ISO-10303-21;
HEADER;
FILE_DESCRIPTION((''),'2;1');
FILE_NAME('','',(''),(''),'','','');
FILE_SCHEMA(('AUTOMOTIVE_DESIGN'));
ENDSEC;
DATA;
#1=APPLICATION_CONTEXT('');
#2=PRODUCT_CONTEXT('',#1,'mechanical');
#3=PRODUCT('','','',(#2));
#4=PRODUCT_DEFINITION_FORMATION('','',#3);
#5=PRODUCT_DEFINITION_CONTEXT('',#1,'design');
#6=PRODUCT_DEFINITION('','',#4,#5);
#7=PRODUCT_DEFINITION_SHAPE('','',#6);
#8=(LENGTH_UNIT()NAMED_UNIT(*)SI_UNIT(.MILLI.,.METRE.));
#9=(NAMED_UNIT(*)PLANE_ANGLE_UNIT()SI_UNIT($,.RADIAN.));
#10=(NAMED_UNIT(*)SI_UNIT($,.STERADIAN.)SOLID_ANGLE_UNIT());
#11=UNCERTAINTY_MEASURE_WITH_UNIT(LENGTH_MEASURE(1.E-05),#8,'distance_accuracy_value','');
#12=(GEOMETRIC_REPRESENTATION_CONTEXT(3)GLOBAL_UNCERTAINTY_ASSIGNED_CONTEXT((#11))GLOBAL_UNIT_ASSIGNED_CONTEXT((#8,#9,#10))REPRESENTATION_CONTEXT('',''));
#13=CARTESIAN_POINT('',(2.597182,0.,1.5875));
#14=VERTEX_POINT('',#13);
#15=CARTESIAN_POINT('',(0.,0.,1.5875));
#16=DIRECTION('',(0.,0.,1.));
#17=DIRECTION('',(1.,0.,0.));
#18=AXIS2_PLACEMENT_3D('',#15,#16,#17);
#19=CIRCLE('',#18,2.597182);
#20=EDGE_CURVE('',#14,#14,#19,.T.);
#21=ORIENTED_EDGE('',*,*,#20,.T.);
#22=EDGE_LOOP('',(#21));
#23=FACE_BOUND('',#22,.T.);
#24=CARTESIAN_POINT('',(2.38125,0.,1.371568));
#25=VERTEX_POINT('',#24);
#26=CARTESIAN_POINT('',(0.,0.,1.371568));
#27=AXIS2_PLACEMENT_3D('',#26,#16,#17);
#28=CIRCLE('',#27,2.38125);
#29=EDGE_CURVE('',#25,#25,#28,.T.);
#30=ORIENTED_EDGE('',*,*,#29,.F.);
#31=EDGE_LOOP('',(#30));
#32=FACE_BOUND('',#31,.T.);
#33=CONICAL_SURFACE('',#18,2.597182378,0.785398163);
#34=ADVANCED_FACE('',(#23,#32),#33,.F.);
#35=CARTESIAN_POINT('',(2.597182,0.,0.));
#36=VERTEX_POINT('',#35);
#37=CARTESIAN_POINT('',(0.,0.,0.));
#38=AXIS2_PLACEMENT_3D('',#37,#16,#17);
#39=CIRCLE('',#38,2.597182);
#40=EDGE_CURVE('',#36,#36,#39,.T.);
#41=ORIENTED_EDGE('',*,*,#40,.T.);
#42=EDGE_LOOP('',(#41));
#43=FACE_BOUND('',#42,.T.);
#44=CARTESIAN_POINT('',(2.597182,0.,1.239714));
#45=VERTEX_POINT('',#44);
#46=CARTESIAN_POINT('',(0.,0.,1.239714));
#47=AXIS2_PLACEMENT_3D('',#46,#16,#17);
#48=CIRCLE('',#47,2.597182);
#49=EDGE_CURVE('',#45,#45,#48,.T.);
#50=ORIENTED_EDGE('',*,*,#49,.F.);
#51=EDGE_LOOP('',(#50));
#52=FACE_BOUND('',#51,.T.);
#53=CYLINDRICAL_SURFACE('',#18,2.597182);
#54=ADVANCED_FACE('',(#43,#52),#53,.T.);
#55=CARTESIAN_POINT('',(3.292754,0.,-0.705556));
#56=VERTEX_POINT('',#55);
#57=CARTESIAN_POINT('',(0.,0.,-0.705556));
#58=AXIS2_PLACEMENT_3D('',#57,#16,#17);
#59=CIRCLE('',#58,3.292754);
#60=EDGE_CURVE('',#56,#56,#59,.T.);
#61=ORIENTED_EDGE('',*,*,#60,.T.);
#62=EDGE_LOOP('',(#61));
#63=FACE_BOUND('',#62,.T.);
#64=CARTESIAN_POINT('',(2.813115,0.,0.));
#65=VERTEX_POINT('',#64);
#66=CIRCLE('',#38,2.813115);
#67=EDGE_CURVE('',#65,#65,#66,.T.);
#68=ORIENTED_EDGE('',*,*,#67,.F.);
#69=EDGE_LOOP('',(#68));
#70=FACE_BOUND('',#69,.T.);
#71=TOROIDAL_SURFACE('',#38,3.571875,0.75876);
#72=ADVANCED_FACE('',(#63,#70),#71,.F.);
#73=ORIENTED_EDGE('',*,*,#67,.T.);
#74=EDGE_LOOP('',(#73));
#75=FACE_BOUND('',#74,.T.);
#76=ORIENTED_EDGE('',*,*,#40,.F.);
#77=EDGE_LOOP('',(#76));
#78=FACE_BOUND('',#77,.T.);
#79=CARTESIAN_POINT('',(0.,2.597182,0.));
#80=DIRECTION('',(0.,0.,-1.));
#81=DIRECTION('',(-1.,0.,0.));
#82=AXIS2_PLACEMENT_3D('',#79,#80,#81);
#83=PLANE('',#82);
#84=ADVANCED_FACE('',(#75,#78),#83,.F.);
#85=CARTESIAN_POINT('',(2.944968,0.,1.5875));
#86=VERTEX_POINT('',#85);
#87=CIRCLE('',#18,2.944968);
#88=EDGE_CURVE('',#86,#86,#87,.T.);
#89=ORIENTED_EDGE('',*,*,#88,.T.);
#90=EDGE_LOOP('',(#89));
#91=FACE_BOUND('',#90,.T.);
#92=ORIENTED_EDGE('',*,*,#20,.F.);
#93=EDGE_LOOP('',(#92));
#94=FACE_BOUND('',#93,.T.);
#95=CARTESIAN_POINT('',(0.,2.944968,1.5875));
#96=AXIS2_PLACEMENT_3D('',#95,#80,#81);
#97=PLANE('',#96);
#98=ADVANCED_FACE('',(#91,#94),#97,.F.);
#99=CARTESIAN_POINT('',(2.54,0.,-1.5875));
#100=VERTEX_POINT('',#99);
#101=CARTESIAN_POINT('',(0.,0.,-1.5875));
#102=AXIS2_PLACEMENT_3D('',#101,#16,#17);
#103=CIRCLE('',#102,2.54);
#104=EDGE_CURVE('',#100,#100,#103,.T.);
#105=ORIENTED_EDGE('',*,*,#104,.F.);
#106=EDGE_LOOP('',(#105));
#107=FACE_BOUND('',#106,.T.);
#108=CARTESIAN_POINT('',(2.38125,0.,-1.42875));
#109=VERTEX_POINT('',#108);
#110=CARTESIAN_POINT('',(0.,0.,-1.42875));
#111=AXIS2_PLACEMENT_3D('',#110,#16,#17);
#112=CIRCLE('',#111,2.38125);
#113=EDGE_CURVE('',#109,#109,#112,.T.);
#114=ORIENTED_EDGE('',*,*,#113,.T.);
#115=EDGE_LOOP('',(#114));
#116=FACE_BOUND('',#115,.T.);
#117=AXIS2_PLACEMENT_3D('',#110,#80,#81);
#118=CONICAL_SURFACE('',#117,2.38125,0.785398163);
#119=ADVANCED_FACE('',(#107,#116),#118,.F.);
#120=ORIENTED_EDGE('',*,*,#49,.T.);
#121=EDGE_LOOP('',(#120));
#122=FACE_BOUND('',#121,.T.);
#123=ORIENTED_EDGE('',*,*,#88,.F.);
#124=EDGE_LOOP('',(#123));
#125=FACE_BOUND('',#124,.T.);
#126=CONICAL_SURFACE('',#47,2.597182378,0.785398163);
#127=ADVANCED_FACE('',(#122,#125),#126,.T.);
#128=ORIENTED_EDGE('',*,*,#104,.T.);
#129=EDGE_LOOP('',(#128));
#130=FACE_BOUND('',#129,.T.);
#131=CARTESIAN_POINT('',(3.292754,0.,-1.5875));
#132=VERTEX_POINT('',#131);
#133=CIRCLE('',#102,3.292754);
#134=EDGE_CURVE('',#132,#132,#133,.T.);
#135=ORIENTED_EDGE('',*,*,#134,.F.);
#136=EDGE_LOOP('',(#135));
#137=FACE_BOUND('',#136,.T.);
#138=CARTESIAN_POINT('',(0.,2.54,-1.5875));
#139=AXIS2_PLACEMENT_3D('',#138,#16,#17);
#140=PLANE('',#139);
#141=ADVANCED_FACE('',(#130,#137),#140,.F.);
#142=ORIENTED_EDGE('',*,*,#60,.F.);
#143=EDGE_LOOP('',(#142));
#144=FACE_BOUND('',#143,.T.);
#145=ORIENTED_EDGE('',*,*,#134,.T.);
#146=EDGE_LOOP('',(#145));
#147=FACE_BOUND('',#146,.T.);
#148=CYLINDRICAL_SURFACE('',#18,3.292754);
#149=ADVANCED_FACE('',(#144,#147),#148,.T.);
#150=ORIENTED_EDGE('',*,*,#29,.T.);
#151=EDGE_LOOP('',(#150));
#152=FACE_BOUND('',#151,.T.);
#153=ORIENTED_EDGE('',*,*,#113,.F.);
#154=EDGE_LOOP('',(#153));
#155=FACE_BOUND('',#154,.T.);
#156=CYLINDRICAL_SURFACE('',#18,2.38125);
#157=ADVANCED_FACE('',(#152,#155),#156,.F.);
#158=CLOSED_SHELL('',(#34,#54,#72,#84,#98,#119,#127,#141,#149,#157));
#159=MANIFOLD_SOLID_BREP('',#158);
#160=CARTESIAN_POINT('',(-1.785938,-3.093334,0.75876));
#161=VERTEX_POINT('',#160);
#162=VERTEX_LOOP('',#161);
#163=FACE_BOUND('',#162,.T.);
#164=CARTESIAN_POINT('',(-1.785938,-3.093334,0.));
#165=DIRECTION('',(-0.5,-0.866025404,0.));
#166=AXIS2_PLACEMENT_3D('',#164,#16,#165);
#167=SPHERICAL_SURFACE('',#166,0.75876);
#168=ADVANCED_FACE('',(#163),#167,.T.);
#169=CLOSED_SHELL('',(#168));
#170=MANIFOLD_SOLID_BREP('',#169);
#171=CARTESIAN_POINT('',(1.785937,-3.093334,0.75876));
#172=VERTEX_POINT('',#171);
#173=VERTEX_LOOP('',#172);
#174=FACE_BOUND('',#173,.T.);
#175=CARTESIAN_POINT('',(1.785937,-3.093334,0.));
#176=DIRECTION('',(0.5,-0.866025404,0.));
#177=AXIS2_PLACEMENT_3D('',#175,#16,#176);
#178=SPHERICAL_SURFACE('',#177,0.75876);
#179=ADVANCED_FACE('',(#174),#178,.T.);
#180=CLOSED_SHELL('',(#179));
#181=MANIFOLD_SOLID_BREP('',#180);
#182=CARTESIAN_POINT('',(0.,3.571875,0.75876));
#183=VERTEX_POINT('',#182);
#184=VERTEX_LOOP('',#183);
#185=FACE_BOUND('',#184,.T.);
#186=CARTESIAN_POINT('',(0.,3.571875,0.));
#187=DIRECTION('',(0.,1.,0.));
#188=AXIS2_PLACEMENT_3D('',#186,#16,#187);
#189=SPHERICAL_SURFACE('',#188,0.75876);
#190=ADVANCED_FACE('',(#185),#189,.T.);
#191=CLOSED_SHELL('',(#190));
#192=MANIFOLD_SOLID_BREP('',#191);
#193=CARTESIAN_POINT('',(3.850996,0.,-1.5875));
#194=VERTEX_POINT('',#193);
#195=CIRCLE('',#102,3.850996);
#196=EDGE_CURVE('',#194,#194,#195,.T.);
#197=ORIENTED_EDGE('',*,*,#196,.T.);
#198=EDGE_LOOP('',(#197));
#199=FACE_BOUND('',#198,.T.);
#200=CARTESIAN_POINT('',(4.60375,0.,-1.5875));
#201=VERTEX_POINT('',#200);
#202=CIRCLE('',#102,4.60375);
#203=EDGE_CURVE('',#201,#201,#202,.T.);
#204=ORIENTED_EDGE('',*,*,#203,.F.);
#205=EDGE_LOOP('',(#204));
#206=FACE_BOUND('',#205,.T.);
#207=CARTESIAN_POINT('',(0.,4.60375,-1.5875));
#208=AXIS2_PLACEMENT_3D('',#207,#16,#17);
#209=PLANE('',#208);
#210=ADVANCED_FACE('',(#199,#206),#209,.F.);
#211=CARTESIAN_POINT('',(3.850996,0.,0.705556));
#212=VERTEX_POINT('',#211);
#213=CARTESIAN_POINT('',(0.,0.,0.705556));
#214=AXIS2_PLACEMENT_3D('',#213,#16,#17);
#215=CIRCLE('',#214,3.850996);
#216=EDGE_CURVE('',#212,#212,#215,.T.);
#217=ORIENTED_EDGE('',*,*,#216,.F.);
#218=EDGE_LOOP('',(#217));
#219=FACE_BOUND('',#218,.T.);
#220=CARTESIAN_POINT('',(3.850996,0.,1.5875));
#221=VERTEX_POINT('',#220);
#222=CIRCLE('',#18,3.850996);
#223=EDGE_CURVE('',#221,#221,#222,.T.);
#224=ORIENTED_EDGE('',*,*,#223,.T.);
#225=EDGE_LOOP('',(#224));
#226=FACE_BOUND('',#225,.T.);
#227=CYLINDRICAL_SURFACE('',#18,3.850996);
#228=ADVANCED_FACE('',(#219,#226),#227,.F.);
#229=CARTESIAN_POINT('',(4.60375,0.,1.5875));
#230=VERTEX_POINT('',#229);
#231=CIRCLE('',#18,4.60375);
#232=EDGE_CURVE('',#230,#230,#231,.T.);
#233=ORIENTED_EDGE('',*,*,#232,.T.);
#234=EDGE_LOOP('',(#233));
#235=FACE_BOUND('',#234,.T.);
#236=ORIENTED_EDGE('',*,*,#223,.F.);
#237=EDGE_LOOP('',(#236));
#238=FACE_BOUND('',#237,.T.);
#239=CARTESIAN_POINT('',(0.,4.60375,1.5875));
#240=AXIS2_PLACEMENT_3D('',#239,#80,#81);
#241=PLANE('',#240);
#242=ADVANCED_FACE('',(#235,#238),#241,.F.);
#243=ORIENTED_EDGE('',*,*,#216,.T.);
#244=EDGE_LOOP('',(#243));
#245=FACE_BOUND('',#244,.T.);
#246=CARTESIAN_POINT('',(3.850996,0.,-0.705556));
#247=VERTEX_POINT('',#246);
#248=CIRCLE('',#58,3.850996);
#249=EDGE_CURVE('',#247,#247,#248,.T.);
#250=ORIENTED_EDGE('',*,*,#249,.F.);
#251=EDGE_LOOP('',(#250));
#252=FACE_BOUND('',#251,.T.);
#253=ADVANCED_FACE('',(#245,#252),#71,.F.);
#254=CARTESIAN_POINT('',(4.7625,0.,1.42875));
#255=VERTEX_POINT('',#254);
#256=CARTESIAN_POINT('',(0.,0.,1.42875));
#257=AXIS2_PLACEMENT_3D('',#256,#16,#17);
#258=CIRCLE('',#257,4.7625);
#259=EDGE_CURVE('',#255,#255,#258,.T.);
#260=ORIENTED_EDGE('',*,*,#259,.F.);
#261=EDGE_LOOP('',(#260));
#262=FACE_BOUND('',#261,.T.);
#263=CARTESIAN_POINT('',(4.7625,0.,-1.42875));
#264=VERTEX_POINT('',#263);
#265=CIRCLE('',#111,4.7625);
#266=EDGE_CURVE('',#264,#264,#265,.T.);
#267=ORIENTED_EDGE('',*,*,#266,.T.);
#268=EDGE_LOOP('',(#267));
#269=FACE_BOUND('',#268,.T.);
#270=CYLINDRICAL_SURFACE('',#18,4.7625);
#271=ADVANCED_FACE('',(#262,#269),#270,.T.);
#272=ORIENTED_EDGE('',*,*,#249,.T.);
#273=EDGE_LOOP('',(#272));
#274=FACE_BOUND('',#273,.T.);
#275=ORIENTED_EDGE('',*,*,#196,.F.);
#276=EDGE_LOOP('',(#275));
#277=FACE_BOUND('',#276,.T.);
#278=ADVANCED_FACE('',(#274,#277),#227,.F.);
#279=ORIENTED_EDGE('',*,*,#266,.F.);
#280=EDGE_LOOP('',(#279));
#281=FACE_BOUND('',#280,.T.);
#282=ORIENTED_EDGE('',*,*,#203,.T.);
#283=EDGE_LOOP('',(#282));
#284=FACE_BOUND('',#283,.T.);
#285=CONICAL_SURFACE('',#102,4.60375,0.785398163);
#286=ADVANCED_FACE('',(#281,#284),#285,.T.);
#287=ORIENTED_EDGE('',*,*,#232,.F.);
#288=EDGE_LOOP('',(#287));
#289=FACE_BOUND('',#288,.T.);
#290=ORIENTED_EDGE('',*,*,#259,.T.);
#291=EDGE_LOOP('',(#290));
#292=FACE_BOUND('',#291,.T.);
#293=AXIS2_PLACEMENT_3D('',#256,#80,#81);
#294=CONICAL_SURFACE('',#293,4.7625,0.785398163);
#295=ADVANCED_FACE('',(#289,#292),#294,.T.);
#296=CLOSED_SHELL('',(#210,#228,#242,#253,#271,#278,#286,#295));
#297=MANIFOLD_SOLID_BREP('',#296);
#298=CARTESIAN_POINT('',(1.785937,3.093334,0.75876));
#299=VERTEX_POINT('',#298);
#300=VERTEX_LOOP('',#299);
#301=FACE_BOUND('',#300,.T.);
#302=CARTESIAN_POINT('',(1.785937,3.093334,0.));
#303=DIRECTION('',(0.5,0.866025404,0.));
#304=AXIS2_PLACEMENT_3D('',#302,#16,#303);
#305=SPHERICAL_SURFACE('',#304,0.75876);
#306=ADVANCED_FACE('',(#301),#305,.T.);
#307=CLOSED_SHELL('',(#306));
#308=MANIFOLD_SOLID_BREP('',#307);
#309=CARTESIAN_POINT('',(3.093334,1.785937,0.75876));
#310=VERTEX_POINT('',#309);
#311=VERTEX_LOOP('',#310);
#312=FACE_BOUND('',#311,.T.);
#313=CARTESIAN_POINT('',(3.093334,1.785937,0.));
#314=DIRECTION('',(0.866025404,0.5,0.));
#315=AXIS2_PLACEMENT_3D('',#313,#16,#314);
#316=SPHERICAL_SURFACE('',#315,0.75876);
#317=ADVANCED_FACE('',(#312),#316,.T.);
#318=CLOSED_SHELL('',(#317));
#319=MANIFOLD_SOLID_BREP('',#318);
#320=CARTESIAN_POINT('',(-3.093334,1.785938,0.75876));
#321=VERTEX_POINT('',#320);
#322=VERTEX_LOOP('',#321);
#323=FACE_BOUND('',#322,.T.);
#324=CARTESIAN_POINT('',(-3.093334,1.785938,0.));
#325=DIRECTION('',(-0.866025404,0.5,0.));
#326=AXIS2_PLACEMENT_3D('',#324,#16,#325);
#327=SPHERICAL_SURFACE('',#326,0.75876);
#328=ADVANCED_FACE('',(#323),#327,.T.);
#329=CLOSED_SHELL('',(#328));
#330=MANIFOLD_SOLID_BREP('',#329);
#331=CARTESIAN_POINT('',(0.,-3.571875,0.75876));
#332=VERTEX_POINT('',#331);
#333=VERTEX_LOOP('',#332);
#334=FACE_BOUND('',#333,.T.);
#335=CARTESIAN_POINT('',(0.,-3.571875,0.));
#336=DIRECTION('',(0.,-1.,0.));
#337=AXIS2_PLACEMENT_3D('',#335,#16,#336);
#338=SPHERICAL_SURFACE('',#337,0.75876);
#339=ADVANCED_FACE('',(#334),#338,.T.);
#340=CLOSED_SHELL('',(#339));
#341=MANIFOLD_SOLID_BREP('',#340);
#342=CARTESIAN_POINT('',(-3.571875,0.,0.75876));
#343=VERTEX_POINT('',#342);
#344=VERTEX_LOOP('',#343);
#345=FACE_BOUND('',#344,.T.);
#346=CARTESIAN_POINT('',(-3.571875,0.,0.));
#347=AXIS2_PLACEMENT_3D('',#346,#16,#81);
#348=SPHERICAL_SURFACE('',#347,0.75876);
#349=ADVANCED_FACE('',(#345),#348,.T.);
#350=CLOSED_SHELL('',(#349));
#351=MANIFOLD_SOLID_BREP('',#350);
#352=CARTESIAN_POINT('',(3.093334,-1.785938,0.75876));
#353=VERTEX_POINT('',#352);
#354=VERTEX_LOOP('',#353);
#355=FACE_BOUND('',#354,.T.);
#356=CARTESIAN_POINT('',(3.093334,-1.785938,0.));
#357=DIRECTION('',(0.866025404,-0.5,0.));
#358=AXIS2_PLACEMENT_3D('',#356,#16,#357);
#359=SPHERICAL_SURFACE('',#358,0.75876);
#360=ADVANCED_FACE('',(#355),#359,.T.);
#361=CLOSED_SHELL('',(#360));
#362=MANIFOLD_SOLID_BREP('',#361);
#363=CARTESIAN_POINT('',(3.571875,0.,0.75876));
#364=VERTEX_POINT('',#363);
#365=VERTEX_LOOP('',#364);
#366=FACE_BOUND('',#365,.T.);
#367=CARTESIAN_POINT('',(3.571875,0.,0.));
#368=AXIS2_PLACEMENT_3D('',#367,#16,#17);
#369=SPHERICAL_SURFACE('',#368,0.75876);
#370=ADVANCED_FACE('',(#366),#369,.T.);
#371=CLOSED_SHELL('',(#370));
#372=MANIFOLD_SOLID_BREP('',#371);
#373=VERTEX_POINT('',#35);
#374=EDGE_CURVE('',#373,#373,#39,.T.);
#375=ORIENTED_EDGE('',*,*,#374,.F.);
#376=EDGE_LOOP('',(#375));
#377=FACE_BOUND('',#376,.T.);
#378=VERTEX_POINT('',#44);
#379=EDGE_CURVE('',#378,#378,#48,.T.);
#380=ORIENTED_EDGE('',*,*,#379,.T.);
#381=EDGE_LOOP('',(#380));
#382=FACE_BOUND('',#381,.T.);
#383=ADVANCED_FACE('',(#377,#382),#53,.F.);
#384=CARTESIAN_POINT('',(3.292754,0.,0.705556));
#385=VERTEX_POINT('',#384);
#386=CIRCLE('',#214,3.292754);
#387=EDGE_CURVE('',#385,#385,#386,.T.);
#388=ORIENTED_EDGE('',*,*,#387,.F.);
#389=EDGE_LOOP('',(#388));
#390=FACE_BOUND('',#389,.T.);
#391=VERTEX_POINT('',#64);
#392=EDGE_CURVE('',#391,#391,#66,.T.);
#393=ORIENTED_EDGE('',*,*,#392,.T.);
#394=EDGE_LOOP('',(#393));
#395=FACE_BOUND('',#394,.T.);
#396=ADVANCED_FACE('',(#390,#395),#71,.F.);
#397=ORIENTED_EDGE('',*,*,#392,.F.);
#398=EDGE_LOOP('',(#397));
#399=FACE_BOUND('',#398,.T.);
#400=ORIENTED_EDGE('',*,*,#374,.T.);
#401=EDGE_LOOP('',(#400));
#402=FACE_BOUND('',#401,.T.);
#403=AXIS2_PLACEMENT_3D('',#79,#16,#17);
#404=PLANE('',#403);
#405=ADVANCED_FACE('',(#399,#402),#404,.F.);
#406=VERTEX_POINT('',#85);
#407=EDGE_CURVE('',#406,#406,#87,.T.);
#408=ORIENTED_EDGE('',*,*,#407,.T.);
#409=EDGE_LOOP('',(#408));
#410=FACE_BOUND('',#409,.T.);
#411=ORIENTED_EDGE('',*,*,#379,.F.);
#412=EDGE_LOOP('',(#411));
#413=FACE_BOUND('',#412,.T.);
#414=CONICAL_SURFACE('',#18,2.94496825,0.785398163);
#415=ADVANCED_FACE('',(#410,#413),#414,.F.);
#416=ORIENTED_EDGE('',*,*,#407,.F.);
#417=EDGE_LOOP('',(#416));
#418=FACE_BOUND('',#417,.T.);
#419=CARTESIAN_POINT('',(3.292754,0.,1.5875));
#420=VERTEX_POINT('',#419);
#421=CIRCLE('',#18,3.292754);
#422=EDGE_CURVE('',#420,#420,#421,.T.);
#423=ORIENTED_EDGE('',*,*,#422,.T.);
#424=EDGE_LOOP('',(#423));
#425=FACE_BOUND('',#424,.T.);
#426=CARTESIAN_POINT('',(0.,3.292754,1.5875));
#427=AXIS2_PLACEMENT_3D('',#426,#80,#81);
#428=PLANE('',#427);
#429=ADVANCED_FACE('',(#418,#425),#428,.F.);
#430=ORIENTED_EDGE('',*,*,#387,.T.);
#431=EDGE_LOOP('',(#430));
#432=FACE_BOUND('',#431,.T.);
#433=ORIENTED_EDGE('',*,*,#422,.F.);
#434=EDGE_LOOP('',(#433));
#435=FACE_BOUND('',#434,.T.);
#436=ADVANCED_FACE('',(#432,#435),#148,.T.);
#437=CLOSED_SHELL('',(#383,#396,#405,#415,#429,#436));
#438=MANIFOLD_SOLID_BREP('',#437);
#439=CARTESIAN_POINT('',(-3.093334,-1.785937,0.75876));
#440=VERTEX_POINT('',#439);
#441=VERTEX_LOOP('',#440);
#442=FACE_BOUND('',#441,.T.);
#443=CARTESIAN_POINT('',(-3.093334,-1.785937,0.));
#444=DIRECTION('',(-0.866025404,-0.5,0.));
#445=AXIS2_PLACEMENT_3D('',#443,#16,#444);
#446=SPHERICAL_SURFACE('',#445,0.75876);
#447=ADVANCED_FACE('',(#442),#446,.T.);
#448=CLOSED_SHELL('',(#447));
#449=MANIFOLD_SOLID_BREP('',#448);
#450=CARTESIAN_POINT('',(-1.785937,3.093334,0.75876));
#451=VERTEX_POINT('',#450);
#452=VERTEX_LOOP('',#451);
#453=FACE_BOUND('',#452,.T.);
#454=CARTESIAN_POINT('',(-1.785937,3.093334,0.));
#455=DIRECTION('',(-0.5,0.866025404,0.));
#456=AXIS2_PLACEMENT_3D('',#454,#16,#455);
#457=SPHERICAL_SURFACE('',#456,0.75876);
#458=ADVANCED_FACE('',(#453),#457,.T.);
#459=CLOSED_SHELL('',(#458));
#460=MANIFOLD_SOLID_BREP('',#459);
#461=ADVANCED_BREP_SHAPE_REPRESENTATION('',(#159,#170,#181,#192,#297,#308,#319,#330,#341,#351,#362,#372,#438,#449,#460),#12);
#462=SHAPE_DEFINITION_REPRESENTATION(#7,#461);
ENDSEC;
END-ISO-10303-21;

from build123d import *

# Parameters (mm, degrees)
CIRPATTERN1_COUNT = 12


with BuildPart() as part:
    # Sketch1 → Revolve1 (revolve)
    with BuildSketch(Plane(origin=(0, 0, 0), x_dir=(0, 0, -1), z_dir=(1, 0, 0))):
        with BuildLine():
            Line((1.42875, 4.7625), (-1.42875, 4.7625))
            Line((-1.42875, 4.7625), (-1.5875, 4.60375))
            Line((-1.5875, 4.60375), (-1.5875, 3.850995879))
            Line((-1.5875, 3.850995879), (-0.705555556, 3.850995879))
            ThreePointArc((-0.705555556, 3.850995879), (0, 4.330635244), (0.705555556, 3.850995879))
            Line((0.705555556, 3.850995879), (1.5875, 3.850995879))
            Line((1.5875, 3.850995879), (1.5875, 4.60375))
            Line((1.5875, 4.60375), (1.42875, 4.7625))
        make_face()
    revolve(axis=Axis((0, 0, 1.5875), (0, 0, -1)))


with BuildPart() as body_2:
    # Sketch2 → Revolve2 (revolve)
    with BuildSketch(Plane(origin=(0, 0, 0), x_dir=(0, 0, -1), z_dir=(1, 0, 0))):
        with BuildLine():
            Line((-1.5875, 3.292754121), (-0.705555556, 3.292754121))
            ThreePointArc((-0.705555556, 3.292754121), (-0.426574308, 2.944378811), (0, 2.813114756))
            Line((0, 2.813114756), (0, 2.597182378))
            Line((0, 2.597182378), (-1.239714129, 2.597182378))
            Line((-1.239714129, 2.597182378), (-1.5875, 2.94496825))
            Line((-1.5875, 2.94496825), (-1.5875, 3.292754121))
        make_face()
    revolve(axis=Axis((0, 0, 1.5875), (0, 0, -1)))


with BuildPart() as body_3:
    # Sketch3 → Revolve3 (revolve)
    with BuildSketch(Plane(origin=(0, 0, 0), x_dir=(0, 0, -1), z_dir=(1, 0, 0))):
        with BuildLine():
            Line((-1.5875, 2.94496825), (-1.239714129, 2.597182378))
            Line((-1.239714129, 2.597182378), (0, 2.597182378))
            Line((0, 2.597182378), (0, 2.813114756))
            ThreePointArc((0, 2.813114756), (0.426574308, 2.944378811), (0.705555556, 3.292754121))
            Line((0.705555556, 3.292754121), (1.5875, 3.292754121))
            Line((1.5875, 3.292754121), (1.5875, 2.54))
            Line((1.5875, 2.54), (1.42875, 2.38125))
            Line((1.42875, 2.38125), (-1.371567622, 2.38125))
            Line((-1.371567622, 2.38125), (-1.5875, 2.597182378))
            Line((-1.5875, 2.597182378), (-1.5875, 2.94496825))
        make_face()
    revolve(axis=Axis((0, 0, 1.5875), (0, 0, -1)))


with BuildPart() as body_4:
    # Sketch4 → Revolve4 (revolve)
    with BuildSketch(Plane(origin=(0, 0, 0), x_dir=(0, 0, -1), z_dir=(1, 0, 0))):
        with BuildLine():
            Line((-0.758760244, 3.571875), (0.758760244, 3.571875))
            ThreePointArc((0.758760244, 3.571875), (0, 4.330635244), (-0.758760244, 3.571875))
        make_face()
    revolve(axis=Axis((0, 3.571875, 0.758760244), (0, 0, -1)))


with BuildPart() as cirpattern1_1:
    # CirPattern1: pattern copy
    add(body_4.part.rotate(Axis((0, 0, -1.5875), (0, 0, 1)), 1 * 360 / CIRPATTERN1_COUNT))


with BuildPart() as cirpattern1_2:
    # CirPattern1: pattern copy
    add(body_4.part.rotate(Axis((0, 0, -1.5875), (0, 0, 1)), 2 * 360 / CIRPATTERN1_COUNT))


with BuildPart() as cirpattern1_3:
    # CirPattern1: pattern copy
    add(body_4.part.rotate(Axis((0, 0, -1.5875), (0, 0, 1)), 3 * 360 / CIRPATTERN1_COUNT))


with BuildPart() as cirpattern1_4:
    # CirPattern1: pattern copy
    add(body_4.part.rotate(Axis((0, 0, -1.5875), (0, 0, 1)), 4 * 360 / CIRPATTERN1_COUNT))


with BuildPart() as cirpattern1_5:
    # CirPattern1: pattern copy
    add(body_4.part.rotate(Axis((0, 0, -1.5875), (0, 0, 1)), 5 * 360 / CIRPATTERN1_COUNT))


with BuildPart() as cirpattern1_6:
    # CirPattern1: pattern copy
    add(body_4.part.rotate(Axis((0, 0, -1.5875), (0, 0, 1)), 6 * 360 / CIRPATTERN1_COUNT))


with BuildPart() as cirpattern1_7:
    # CirPattern1: pattern copy
    add(body_4.part.rotate(Axis((0, 0, -1.5875), (0, 0, 1)), 7 * 360 / CIRPATTERN1_COUNT))


with BuildPart() as cirpattern1_8:
    # CirPattern1: pattern copy
    add(body_4.part.rotate(Axis((0, 0, -1.5875), (0, 0, 1)), 8 * 360 / CIRPATTERN1_COUNT))


with BuildPart() as cirpattern1_9:
    # CirPattern1: pattern copy
    add(body_4.part.rotate(Axis((0, 0, -1.5875), (0, 0, 1)), 9 * 360 / CIRPATTERN1_COUNT))


with BuildPart() as cirpattern1_10:
    # CirPattern1: pattern copy
    add(body_4.part.rotate(Axis((0, 0, -1.5875), (0, 0, 1)), 10 * 360 / CIRPATTERN1_COUNT))


with BuildPart() as cirpattern1_11:
    # CirPattern1: pattern copy
    add(body_4.part.rotate(Axis((0, 0, -1.5875), (0, 0, 1)), 11 * 360 / CIRPATTERN1_COUNT))


solid = Compound([part.part, body_2.part, body_3.part, body_4.part, cirpattern1_1.part, cirpattern1_2.part, cirpattern1_3.part, cirpattern1_4.part, cirpattern1_5.part, cirpattern1_6.part, cirpattern1_7.part, cirpattern1_8.part, cirpattern1_9.part, cirpattern1_10.part, cirpattern1_11.part])
